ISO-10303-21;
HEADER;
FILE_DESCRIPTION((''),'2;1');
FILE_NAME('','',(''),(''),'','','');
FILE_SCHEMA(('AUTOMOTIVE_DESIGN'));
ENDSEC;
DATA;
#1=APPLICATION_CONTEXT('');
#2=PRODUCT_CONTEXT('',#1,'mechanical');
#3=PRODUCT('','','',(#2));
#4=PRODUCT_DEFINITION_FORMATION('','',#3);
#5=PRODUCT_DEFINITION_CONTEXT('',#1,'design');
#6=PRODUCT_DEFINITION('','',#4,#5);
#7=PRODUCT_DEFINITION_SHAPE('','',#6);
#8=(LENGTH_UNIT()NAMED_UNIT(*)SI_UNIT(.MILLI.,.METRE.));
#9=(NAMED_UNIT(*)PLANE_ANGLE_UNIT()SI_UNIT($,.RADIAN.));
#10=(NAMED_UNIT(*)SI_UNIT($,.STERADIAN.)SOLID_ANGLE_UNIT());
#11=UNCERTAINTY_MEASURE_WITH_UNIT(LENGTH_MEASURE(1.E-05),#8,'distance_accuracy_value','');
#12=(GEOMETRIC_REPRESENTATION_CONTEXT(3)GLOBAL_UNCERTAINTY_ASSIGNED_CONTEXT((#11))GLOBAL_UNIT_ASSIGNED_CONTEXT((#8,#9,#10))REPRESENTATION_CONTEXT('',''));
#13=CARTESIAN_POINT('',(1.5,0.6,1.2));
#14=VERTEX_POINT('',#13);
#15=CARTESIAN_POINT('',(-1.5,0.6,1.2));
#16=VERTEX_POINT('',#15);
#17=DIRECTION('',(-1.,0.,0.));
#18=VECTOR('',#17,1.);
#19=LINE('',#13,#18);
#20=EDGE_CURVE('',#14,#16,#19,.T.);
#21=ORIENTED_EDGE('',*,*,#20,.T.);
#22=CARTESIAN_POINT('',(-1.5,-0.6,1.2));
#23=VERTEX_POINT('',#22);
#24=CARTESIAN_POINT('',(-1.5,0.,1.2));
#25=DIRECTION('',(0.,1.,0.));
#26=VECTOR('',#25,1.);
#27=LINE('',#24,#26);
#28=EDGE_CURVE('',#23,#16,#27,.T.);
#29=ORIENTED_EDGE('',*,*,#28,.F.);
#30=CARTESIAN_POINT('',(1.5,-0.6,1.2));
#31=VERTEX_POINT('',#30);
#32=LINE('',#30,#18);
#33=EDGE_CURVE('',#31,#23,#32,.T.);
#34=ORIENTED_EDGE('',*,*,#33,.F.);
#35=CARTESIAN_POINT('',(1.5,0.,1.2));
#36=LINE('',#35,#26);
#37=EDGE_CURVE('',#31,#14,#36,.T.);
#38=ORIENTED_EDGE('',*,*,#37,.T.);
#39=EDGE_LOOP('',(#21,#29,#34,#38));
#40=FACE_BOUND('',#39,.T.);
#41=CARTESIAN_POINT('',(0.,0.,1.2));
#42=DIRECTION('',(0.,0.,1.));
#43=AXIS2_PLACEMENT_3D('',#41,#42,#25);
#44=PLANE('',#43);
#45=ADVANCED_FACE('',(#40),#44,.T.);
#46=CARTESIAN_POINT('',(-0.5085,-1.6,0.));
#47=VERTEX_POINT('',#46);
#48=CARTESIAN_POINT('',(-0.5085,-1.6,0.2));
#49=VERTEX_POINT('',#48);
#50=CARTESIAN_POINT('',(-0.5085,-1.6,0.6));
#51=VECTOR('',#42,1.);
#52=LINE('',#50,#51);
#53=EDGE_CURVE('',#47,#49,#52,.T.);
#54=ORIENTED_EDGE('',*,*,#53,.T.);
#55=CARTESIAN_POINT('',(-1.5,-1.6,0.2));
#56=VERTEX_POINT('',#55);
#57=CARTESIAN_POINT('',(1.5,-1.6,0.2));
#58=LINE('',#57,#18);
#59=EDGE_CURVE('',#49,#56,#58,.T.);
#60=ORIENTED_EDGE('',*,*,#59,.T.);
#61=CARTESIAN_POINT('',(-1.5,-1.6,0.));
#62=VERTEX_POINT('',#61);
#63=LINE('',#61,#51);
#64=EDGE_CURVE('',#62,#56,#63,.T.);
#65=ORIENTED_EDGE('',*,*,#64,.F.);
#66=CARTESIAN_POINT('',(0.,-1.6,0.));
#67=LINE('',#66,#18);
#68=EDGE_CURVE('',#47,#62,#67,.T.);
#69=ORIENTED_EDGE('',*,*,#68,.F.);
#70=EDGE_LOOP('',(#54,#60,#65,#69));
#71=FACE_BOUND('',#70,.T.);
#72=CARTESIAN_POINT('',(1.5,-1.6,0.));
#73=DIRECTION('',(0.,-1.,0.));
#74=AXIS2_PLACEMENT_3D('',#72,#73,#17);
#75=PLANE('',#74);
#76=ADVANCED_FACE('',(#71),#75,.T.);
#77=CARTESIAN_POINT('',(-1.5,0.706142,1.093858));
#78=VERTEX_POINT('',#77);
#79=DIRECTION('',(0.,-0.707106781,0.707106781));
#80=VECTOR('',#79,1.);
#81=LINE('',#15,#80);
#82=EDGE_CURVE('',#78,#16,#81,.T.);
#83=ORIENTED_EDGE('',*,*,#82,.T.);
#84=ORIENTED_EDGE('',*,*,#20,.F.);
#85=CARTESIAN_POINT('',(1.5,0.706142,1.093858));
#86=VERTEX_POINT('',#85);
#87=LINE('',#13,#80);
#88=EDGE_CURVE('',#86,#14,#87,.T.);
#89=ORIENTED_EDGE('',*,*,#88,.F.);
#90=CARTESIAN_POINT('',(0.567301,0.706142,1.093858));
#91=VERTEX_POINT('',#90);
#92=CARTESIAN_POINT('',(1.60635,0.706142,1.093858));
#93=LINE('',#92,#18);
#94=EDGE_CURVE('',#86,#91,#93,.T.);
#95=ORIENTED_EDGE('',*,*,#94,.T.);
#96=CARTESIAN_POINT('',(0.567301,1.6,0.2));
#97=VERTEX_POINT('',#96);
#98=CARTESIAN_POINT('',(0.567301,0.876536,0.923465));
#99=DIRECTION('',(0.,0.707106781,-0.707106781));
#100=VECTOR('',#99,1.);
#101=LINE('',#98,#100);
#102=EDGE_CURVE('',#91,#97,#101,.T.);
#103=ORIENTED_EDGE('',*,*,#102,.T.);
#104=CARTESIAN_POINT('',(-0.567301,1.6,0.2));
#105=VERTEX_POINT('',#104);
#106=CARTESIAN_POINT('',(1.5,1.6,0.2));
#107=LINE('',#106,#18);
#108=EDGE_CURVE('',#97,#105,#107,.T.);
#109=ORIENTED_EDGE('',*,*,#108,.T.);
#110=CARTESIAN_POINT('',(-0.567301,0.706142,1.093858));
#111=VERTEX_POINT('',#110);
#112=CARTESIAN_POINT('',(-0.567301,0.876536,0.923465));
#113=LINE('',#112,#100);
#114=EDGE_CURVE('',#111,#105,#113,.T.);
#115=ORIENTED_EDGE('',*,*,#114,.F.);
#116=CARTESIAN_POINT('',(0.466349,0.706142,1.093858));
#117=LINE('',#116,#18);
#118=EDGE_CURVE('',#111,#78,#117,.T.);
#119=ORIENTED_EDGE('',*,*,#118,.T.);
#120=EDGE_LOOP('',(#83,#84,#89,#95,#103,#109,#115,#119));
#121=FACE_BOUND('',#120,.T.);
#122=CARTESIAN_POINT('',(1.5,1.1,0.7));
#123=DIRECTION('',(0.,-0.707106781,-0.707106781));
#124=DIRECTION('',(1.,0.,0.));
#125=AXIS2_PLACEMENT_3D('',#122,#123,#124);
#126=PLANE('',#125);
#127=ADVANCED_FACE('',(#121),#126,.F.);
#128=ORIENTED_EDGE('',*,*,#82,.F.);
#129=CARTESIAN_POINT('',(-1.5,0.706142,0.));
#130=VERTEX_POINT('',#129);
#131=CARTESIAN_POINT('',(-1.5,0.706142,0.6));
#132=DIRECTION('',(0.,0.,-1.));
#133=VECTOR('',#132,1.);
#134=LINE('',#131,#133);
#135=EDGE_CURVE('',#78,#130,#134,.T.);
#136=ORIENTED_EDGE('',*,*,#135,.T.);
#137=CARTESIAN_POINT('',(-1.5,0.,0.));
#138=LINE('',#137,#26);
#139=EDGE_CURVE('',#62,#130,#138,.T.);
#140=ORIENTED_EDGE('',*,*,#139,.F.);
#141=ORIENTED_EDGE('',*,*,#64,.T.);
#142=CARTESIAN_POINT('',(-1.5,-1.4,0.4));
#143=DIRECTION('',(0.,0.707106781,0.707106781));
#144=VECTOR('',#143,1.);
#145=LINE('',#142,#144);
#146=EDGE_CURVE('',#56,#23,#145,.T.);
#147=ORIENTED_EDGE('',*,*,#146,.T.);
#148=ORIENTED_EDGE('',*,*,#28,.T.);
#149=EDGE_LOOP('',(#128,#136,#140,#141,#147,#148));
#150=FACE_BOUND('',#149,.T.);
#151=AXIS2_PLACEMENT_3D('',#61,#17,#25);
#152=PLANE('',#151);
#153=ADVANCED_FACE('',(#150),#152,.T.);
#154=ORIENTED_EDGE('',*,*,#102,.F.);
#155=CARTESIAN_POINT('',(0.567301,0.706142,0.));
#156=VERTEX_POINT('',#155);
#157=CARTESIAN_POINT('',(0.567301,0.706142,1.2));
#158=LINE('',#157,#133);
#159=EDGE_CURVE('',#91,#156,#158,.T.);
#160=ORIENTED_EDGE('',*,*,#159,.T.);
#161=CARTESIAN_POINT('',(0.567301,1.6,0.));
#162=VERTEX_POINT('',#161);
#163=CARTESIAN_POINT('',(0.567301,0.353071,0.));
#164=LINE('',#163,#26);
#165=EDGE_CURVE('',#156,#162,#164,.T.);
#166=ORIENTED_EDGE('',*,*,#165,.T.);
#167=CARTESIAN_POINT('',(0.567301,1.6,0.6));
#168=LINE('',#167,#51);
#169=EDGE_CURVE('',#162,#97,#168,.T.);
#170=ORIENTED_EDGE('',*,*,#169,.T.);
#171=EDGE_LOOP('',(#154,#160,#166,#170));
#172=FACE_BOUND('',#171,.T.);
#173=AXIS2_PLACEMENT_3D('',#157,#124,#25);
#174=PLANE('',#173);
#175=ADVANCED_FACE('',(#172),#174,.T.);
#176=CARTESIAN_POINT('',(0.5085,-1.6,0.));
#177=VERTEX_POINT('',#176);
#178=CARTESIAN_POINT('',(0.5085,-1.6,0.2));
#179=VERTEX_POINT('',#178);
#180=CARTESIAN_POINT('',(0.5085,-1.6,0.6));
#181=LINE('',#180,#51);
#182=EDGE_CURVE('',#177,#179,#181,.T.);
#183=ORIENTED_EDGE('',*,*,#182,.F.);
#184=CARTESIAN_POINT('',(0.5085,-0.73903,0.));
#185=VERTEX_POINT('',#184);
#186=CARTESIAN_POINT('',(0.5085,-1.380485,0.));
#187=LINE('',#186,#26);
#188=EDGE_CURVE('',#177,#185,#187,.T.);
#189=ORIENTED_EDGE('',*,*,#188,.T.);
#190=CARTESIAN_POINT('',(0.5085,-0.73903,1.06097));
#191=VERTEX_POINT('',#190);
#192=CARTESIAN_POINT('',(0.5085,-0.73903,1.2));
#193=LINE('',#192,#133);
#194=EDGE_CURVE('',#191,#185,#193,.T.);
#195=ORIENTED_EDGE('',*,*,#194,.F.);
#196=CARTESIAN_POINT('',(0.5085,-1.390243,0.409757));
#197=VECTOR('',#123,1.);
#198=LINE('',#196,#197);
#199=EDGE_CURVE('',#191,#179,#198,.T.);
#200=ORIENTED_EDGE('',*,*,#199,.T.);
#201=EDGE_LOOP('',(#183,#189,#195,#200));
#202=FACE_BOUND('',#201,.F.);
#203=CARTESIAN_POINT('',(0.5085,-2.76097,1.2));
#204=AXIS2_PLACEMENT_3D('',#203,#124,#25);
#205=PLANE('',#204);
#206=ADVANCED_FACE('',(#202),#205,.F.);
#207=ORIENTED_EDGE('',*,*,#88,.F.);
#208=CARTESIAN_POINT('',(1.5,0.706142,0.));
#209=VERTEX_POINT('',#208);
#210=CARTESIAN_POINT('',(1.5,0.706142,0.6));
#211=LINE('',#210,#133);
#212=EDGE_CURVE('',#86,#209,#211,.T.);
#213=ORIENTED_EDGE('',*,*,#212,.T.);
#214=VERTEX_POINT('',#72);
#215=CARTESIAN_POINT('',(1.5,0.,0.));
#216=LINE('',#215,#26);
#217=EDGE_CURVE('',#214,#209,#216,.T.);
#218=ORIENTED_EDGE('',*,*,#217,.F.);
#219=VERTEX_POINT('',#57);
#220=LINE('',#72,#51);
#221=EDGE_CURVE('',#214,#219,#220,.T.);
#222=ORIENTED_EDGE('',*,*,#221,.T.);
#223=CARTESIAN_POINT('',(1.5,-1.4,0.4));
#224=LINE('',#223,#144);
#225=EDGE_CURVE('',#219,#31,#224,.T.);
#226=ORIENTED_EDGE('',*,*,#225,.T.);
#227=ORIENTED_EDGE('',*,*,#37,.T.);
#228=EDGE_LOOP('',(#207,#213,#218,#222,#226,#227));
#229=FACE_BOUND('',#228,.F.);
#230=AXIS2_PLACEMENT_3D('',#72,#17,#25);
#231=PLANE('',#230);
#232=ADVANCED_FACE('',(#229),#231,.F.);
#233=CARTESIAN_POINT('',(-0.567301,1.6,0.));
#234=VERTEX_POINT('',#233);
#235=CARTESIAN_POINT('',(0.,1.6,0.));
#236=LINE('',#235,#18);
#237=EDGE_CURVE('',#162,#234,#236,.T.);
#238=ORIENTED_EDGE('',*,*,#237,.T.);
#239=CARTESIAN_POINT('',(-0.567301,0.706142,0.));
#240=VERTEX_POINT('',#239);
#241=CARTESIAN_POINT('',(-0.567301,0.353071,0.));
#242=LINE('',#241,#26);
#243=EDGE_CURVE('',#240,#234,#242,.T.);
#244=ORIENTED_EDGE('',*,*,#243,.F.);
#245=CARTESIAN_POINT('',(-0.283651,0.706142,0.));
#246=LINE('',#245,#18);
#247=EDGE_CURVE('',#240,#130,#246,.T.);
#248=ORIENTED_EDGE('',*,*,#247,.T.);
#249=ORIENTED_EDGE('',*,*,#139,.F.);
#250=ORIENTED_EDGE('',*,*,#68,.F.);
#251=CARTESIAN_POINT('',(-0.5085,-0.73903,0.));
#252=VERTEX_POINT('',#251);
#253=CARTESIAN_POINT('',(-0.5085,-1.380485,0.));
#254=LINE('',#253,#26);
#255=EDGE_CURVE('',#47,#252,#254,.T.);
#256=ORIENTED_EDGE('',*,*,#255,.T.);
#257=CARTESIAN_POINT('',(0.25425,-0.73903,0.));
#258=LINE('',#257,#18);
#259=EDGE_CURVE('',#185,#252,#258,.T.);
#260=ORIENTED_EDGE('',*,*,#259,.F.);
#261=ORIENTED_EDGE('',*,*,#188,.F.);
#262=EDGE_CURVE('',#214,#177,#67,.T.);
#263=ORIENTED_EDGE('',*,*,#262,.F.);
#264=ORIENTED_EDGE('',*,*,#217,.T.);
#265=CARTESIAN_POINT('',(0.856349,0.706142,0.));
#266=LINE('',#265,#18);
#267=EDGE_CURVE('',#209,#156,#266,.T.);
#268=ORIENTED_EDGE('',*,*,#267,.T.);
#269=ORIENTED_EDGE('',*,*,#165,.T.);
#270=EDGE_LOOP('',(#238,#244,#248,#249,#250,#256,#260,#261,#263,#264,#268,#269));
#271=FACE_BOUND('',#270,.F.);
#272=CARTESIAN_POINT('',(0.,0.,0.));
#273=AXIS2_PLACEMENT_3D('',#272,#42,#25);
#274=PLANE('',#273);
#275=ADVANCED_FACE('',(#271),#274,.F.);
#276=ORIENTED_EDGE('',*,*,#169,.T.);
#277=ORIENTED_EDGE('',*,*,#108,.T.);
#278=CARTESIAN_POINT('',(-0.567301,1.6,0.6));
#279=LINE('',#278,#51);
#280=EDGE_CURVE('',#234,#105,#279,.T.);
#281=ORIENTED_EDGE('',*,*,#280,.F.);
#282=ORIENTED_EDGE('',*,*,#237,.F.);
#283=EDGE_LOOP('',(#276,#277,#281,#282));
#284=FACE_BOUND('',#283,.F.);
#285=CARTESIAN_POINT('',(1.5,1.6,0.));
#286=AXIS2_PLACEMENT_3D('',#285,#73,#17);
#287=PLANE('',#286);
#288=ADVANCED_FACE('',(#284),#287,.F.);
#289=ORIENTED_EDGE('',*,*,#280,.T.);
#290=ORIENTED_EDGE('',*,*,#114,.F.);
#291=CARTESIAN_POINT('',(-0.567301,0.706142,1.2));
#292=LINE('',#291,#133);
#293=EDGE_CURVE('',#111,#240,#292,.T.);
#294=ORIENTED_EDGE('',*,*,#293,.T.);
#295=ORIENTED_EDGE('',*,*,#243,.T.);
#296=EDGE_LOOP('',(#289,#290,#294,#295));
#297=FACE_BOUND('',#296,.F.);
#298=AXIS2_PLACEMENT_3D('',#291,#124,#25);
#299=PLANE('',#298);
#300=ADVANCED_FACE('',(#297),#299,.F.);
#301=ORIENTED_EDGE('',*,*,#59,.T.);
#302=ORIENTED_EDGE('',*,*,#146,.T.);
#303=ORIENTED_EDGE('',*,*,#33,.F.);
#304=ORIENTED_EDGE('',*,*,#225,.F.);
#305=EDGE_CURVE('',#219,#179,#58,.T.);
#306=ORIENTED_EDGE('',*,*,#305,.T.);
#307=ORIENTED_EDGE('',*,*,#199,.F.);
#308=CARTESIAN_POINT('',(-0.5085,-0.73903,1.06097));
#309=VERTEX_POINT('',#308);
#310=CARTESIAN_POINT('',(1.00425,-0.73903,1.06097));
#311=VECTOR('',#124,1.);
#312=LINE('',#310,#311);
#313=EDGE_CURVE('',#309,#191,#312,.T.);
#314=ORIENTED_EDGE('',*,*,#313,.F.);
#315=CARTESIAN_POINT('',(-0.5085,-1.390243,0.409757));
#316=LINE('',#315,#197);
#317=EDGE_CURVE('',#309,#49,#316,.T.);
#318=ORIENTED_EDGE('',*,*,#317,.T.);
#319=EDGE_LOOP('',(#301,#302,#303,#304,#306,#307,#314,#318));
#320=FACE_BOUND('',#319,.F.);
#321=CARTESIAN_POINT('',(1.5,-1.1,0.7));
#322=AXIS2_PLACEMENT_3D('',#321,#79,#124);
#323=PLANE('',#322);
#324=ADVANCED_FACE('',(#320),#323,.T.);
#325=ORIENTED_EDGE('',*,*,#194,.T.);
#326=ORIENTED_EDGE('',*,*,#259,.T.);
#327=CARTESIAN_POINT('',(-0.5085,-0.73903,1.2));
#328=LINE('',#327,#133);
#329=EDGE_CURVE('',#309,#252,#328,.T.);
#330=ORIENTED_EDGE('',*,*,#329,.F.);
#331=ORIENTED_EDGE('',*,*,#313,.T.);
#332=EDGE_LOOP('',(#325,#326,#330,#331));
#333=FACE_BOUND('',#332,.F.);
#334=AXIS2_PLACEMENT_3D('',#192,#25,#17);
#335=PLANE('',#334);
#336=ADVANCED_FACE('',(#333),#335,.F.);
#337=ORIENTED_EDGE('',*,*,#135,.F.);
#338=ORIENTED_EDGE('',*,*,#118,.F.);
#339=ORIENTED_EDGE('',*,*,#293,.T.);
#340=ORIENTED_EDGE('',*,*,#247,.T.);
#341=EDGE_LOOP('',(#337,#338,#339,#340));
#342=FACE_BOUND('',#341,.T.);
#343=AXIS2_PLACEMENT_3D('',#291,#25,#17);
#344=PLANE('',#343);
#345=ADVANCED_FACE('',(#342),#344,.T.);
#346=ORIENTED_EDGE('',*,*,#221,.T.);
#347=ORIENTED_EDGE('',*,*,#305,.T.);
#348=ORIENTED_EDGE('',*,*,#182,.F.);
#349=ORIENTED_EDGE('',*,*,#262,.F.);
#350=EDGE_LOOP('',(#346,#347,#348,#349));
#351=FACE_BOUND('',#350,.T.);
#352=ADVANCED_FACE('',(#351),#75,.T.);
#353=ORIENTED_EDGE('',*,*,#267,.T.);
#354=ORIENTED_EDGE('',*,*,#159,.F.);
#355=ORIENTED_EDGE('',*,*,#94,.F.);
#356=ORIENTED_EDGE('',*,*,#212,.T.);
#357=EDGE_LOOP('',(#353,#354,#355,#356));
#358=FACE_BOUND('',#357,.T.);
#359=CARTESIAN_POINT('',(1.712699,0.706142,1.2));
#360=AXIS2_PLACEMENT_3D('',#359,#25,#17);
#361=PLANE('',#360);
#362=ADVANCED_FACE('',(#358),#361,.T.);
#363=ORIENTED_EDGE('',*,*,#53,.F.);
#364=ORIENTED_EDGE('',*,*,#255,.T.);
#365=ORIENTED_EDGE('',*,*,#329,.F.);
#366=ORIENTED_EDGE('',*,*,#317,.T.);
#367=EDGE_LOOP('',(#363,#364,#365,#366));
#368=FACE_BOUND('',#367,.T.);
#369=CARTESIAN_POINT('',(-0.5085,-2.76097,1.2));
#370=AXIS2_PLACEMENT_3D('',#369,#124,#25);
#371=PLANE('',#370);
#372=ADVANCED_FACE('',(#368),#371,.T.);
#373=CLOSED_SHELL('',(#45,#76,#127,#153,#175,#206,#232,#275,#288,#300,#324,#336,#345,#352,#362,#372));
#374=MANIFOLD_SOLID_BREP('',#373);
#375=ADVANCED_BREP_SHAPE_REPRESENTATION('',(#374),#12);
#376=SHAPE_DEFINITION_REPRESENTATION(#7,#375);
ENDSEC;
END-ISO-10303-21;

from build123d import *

# Parameters (mm, degrees)
SKETCH_W             = 3.2
SKETCH_H             = 3
PAD_DEPTH            = 1.2
CHAMFER_SIZE         = 1
SKETCH001_W          = 2.02194
SKETCH001_H          = 1.017
SKETCH001_W_2        = 1.827716
SKETCH001_H_2        = 1.145398
POCKET_DEPTH         = 5
BODY_PLACEMENT_ANGLE = 90


with BuildPart() as part:
    # Sketch → Pad (new body)
    with BuildSketch(Plane.XY):
        Rectangle(SKETCH_W, SKETCH_H)
    extrude(amount=PAD_DEPTH)

    # Chamfer
    chamfer_edges = [part.edges().sort_by_distance(p)[0] for p in [
        (-1.6, 0, 1.2),
        (1.6, 0, 1.2),
    ]]
    chamfer(chamfer_edges, length=CHAMFER_SIZE)

    # Sketch001 (on Face5 of Chamfer) → Pocket (cut)
    with BuildSketch(Plane.XY.offset(1.2)):
        with Locations((-1.75, 0)):
            Rectangle(SKETCH001_W, SKETCH001_H)
        with Locations((1.62, 1.14)):
            Rectangle(SKETCH001_W_2, SKETCH001_H_2)
        with Locations((1.62, -1.14)):
            Rectangle(SKETCH001_W_2, SKETCH001_H_2)
    extrude(amount=-POCKET_DEPTH, mode=Mode.SUBTRACT)


with BuildPart() as part_1:
    # Body placement: moved
    add(part.part.rotate(Axis((0, 0, 0), (0, 0, 1)), BODY_PLACEMENT_ANGLE))


solid = part_1.part
